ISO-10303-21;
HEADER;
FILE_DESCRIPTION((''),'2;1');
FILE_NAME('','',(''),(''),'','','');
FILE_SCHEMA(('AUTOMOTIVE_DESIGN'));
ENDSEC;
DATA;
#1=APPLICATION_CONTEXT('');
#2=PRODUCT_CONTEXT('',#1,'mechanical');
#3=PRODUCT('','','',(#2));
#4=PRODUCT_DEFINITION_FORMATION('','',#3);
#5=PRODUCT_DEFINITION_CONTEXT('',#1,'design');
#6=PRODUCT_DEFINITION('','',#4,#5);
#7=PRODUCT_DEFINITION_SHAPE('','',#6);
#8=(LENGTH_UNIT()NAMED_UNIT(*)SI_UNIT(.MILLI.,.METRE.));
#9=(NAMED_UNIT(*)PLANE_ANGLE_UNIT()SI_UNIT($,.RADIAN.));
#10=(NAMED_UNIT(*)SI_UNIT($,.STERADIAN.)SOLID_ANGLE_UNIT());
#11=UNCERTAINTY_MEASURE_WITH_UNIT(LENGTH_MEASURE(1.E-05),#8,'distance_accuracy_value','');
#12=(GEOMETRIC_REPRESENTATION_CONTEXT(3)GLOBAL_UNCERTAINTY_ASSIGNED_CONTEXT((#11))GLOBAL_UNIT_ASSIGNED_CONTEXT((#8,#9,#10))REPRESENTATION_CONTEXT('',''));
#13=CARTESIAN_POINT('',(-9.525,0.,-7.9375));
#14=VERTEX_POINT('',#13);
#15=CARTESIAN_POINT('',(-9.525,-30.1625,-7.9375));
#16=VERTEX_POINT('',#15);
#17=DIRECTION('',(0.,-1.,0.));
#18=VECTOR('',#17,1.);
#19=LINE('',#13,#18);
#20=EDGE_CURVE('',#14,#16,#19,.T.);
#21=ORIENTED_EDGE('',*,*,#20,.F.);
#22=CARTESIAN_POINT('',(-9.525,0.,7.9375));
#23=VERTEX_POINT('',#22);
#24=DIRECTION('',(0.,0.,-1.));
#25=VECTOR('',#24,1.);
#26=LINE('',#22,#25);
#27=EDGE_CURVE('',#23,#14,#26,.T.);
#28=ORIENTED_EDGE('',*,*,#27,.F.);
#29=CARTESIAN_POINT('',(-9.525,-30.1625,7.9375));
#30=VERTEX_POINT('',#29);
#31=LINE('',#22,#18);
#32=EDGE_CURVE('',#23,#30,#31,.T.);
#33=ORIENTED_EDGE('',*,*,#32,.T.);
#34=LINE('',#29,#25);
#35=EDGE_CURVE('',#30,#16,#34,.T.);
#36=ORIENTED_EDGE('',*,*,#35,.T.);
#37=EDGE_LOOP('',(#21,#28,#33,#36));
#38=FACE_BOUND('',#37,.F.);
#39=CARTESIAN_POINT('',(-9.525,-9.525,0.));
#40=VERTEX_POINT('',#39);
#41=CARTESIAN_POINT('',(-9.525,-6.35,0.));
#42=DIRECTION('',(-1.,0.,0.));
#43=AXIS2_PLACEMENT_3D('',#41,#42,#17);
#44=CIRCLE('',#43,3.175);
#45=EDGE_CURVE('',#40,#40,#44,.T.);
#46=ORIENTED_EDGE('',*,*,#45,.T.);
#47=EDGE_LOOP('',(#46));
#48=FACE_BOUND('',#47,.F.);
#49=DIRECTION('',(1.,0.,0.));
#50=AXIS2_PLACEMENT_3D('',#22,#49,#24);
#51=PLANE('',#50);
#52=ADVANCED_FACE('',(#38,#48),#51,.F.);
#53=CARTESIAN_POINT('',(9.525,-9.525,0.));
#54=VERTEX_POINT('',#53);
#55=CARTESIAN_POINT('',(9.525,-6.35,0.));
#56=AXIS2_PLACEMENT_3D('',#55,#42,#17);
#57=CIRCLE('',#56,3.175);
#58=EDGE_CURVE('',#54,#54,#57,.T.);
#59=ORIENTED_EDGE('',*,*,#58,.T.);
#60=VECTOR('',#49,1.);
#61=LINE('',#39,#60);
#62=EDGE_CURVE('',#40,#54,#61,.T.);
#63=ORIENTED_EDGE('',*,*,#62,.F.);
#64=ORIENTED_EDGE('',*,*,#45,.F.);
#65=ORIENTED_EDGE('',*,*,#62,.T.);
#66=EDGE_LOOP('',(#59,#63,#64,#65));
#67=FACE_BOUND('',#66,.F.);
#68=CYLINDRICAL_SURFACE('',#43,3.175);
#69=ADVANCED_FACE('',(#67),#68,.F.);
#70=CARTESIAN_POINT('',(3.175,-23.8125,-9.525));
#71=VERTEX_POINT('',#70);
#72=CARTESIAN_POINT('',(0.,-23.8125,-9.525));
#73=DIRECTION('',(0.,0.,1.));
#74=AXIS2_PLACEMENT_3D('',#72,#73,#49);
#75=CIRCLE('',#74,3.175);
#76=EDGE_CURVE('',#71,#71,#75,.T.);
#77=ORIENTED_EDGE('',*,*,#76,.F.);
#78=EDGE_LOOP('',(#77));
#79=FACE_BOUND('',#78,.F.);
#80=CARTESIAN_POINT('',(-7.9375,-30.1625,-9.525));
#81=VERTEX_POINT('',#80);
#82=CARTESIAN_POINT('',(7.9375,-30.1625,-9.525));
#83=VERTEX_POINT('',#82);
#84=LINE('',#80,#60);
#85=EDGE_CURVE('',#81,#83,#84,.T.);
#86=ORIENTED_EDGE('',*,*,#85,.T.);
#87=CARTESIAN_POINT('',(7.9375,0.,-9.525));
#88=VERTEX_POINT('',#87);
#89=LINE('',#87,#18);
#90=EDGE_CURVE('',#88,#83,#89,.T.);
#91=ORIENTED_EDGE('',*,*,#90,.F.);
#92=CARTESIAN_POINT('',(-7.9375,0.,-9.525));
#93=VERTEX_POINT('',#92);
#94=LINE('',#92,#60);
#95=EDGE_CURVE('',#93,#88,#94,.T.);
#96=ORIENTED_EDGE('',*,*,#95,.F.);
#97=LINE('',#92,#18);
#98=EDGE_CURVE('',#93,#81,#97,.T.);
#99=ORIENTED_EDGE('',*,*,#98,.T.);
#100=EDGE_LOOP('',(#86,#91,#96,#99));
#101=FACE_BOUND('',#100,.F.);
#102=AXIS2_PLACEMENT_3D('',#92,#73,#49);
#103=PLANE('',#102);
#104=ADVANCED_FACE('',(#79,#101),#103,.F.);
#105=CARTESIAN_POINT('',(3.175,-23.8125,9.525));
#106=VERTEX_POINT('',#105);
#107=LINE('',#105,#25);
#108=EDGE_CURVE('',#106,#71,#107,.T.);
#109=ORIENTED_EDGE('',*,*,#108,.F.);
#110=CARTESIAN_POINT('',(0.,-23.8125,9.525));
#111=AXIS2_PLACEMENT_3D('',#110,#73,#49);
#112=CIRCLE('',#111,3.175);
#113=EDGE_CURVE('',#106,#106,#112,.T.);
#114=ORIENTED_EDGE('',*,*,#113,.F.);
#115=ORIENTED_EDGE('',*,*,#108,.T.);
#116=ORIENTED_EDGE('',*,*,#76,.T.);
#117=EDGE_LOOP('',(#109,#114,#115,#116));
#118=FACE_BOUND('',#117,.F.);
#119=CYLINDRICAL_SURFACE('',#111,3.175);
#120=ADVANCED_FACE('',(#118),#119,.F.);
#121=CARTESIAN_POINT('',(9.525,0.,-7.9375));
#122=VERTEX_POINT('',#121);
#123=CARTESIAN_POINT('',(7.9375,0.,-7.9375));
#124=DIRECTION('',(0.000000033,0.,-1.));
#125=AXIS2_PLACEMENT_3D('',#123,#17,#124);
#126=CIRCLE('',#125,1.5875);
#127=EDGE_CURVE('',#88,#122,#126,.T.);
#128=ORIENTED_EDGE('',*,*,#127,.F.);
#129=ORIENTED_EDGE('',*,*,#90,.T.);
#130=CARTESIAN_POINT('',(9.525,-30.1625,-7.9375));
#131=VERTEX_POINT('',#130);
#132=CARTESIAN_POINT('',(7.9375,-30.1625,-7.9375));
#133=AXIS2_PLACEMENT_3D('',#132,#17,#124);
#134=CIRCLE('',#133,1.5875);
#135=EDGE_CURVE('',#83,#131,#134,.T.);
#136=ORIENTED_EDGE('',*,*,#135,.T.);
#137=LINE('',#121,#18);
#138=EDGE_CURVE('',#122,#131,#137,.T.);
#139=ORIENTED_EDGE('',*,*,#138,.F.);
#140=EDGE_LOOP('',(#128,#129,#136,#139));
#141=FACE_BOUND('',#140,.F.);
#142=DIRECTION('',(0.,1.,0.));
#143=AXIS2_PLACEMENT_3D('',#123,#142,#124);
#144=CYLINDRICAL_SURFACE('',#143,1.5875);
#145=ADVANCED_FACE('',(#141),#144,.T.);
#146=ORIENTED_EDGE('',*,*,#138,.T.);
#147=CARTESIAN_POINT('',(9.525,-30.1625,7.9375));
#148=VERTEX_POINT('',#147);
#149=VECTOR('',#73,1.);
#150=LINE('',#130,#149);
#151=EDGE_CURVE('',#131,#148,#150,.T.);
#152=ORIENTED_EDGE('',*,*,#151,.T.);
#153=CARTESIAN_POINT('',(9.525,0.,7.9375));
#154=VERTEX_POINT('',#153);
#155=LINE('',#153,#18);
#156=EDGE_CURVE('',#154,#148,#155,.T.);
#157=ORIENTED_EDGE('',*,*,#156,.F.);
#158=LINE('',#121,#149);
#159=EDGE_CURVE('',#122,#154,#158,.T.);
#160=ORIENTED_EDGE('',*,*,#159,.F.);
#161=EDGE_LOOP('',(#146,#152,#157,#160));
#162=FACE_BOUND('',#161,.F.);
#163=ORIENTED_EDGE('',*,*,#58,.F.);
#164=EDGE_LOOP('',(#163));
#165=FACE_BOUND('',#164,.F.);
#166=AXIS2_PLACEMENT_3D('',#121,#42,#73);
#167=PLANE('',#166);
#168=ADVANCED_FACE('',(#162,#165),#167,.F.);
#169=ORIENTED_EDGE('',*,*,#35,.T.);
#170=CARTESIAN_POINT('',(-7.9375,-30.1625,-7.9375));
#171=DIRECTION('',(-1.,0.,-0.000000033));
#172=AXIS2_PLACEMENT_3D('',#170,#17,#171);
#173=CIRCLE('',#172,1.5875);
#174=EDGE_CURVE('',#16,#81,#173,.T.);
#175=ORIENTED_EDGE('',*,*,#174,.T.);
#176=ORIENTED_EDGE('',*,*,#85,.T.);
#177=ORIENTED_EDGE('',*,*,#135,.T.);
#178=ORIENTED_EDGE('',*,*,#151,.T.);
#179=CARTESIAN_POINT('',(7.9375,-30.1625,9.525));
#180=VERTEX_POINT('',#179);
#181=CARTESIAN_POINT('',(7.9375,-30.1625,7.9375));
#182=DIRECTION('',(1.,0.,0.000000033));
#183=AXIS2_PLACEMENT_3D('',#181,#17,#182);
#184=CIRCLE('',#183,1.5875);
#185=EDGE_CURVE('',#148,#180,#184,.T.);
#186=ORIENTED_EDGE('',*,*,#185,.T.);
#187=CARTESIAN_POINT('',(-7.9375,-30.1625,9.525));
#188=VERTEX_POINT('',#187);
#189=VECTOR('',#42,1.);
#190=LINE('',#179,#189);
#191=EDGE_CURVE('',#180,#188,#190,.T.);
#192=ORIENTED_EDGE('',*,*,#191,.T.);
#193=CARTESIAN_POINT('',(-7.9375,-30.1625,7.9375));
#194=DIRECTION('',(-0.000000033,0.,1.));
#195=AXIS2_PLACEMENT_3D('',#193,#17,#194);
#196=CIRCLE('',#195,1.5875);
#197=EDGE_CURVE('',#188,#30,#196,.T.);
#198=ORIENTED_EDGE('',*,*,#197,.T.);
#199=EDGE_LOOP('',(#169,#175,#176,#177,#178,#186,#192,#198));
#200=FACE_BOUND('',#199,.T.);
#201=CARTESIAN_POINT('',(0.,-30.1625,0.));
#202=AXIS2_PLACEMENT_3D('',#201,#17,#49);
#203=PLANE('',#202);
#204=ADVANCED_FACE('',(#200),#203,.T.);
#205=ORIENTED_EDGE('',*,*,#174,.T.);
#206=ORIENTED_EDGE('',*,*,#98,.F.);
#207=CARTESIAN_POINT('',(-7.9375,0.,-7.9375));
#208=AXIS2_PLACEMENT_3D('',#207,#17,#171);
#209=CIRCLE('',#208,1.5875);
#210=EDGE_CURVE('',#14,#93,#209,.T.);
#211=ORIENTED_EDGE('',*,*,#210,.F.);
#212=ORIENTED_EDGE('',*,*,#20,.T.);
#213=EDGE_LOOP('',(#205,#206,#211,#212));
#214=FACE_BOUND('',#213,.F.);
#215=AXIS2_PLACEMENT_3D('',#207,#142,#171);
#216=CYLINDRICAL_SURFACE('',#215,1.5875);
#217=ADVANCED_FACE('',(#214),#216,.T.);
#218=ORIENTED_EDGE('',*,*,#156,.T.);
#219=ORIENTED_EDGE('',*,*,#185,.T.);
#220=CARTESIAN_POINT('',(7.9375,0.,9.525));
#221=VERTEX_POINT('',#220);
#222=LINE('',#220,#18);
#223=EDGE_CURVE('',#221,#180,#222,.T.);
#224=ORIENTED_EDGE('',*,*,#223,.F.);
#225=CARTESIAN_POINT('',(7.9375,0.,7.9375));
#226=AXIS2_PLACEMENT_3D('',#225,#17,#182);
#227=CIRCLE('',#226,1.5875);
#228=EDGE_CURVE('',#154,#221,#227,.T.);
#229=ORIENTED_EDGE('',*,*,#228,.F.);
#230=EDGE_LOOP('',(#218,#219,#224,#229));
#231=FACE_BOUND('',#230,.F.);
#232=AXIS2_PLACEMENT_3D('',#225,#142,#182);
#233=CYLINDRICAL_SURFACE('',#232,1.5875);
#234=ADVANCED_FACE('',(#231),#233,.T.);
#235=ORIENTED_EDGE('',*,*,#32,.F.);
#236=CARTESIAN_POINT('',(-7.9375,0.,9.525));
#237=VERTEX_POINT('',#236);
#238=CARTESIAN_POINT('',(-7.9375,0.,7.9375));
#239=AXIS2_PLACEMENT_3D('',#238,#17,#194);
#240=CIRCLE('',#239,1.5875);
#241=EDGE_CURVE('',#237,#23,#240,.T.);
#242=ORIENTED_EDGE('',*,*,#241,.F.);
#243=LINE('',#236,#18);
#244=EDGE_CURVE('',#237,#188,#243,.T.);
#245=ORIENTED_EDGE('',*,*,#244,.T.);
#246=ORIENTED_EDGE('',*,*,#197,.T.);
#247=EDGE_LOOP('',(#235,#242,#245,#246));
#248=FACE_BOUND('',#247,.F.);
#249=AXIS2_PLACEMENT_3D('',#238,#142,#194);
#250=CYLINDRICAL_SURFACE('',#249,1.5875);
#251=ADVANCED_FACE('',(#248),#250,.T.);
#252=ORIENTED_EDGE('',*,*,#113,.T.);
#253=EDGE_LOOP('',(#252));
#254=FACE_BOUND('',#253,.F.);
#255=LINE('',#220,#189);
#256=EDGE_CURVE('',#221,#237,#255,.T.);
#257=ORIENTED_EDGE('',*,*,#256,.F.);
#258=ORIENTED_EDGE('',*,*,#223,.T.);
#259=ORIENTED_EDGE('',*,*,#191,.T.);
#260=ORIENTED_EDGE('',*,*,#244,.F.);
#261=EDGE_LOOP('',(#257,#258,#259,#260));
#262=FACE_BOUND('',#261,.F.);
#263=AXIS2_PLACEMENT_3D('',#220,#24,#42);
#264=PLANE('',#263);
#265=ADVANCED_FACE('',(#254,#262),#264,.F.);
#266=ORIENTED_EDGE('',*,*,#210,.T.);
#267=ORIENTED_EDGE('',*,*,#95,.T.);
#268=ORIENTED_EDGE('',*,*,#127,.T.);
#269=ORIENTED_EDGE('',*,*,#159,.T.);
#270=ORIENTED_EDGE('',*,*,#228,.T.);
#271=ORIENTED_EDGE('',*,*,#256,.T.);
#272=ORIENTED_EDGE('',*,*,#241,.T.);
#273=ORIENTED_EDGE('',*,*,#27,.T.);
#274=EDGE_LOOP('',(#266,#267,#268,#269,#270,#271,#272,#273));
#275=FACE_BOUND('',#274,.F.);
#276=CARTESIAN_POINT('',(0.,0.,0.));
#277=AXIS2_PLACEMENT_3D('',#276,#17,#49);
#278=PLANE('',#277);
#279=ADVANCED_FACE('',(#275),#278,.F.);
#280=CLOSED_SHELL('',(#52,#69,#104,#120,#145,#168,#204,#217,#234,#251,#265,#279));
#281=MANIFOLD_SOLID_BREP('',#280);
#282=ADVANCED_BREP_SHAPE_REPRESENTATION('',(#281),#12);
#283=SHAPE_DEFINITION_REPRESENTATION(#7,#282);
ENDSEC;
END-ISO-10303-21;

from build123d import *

# Parameters (mm, degrees)
F1_DEPTH = 30.1625
F2_R     = 3.175
F3_DEPTH = 19.051
F4_R     = 3.175
F5_DEPTH = 19.051


with BuildPart() as f1:
    # F0 (on Front) → F1 (new body)
    with BuildSketch(Plane.XZ):
        with BuildLine():
            ThreePointArc((9.525, 7.9375), (9.060032, 9.060032), (7.9375, 9.525))
            Line((7.9375, 9.525), (-7.9375, 9.525))
            ThreePointArc((-7.9375, 9.525), (-9.060032, 9.060032), (-9.525, 7.9375))
            Line((-9.525, 7.9375), (-9.525, -7.9375))
            ThreePointArc((-9.525, -7.9375), (-9.060032, -9.060032), (-7.9375, -9.525))
            Line((-7.9375, -9.525), (7.9375, -9.525))
            ThreePointArc((7.9375, -9.525), (9.060032, -9.060032), (9.525, -7.9375))
            Line((9.525, -7.9375), (9.525, 7.9375))
        make_face()
    extrude(amount=F1_DEPTH)

    # F2 (on face) → F3 (cut, through all)
    with BuildSketch(Plane.XY.offset(9.525)):
        with Locations((0, -23.8125)):
            Circle(F2_R)
    extrude(amount=-F3_DEPTH, mode=Mode.SUBTRACT)

    # F4 (on face) → F5 (cut, through all)
    with BuildSketch(Plane(origin=(-9.525, 0, 0), x_dir=(0, -1, 0), z_dir=(-1, 0, 0))):
        with Locations((6.35, 0)):
            Circle(F4_R)
    extrude(amount=-F5_DEPTH, mode=Mode.SUBTRACT)


solid = f1.part
